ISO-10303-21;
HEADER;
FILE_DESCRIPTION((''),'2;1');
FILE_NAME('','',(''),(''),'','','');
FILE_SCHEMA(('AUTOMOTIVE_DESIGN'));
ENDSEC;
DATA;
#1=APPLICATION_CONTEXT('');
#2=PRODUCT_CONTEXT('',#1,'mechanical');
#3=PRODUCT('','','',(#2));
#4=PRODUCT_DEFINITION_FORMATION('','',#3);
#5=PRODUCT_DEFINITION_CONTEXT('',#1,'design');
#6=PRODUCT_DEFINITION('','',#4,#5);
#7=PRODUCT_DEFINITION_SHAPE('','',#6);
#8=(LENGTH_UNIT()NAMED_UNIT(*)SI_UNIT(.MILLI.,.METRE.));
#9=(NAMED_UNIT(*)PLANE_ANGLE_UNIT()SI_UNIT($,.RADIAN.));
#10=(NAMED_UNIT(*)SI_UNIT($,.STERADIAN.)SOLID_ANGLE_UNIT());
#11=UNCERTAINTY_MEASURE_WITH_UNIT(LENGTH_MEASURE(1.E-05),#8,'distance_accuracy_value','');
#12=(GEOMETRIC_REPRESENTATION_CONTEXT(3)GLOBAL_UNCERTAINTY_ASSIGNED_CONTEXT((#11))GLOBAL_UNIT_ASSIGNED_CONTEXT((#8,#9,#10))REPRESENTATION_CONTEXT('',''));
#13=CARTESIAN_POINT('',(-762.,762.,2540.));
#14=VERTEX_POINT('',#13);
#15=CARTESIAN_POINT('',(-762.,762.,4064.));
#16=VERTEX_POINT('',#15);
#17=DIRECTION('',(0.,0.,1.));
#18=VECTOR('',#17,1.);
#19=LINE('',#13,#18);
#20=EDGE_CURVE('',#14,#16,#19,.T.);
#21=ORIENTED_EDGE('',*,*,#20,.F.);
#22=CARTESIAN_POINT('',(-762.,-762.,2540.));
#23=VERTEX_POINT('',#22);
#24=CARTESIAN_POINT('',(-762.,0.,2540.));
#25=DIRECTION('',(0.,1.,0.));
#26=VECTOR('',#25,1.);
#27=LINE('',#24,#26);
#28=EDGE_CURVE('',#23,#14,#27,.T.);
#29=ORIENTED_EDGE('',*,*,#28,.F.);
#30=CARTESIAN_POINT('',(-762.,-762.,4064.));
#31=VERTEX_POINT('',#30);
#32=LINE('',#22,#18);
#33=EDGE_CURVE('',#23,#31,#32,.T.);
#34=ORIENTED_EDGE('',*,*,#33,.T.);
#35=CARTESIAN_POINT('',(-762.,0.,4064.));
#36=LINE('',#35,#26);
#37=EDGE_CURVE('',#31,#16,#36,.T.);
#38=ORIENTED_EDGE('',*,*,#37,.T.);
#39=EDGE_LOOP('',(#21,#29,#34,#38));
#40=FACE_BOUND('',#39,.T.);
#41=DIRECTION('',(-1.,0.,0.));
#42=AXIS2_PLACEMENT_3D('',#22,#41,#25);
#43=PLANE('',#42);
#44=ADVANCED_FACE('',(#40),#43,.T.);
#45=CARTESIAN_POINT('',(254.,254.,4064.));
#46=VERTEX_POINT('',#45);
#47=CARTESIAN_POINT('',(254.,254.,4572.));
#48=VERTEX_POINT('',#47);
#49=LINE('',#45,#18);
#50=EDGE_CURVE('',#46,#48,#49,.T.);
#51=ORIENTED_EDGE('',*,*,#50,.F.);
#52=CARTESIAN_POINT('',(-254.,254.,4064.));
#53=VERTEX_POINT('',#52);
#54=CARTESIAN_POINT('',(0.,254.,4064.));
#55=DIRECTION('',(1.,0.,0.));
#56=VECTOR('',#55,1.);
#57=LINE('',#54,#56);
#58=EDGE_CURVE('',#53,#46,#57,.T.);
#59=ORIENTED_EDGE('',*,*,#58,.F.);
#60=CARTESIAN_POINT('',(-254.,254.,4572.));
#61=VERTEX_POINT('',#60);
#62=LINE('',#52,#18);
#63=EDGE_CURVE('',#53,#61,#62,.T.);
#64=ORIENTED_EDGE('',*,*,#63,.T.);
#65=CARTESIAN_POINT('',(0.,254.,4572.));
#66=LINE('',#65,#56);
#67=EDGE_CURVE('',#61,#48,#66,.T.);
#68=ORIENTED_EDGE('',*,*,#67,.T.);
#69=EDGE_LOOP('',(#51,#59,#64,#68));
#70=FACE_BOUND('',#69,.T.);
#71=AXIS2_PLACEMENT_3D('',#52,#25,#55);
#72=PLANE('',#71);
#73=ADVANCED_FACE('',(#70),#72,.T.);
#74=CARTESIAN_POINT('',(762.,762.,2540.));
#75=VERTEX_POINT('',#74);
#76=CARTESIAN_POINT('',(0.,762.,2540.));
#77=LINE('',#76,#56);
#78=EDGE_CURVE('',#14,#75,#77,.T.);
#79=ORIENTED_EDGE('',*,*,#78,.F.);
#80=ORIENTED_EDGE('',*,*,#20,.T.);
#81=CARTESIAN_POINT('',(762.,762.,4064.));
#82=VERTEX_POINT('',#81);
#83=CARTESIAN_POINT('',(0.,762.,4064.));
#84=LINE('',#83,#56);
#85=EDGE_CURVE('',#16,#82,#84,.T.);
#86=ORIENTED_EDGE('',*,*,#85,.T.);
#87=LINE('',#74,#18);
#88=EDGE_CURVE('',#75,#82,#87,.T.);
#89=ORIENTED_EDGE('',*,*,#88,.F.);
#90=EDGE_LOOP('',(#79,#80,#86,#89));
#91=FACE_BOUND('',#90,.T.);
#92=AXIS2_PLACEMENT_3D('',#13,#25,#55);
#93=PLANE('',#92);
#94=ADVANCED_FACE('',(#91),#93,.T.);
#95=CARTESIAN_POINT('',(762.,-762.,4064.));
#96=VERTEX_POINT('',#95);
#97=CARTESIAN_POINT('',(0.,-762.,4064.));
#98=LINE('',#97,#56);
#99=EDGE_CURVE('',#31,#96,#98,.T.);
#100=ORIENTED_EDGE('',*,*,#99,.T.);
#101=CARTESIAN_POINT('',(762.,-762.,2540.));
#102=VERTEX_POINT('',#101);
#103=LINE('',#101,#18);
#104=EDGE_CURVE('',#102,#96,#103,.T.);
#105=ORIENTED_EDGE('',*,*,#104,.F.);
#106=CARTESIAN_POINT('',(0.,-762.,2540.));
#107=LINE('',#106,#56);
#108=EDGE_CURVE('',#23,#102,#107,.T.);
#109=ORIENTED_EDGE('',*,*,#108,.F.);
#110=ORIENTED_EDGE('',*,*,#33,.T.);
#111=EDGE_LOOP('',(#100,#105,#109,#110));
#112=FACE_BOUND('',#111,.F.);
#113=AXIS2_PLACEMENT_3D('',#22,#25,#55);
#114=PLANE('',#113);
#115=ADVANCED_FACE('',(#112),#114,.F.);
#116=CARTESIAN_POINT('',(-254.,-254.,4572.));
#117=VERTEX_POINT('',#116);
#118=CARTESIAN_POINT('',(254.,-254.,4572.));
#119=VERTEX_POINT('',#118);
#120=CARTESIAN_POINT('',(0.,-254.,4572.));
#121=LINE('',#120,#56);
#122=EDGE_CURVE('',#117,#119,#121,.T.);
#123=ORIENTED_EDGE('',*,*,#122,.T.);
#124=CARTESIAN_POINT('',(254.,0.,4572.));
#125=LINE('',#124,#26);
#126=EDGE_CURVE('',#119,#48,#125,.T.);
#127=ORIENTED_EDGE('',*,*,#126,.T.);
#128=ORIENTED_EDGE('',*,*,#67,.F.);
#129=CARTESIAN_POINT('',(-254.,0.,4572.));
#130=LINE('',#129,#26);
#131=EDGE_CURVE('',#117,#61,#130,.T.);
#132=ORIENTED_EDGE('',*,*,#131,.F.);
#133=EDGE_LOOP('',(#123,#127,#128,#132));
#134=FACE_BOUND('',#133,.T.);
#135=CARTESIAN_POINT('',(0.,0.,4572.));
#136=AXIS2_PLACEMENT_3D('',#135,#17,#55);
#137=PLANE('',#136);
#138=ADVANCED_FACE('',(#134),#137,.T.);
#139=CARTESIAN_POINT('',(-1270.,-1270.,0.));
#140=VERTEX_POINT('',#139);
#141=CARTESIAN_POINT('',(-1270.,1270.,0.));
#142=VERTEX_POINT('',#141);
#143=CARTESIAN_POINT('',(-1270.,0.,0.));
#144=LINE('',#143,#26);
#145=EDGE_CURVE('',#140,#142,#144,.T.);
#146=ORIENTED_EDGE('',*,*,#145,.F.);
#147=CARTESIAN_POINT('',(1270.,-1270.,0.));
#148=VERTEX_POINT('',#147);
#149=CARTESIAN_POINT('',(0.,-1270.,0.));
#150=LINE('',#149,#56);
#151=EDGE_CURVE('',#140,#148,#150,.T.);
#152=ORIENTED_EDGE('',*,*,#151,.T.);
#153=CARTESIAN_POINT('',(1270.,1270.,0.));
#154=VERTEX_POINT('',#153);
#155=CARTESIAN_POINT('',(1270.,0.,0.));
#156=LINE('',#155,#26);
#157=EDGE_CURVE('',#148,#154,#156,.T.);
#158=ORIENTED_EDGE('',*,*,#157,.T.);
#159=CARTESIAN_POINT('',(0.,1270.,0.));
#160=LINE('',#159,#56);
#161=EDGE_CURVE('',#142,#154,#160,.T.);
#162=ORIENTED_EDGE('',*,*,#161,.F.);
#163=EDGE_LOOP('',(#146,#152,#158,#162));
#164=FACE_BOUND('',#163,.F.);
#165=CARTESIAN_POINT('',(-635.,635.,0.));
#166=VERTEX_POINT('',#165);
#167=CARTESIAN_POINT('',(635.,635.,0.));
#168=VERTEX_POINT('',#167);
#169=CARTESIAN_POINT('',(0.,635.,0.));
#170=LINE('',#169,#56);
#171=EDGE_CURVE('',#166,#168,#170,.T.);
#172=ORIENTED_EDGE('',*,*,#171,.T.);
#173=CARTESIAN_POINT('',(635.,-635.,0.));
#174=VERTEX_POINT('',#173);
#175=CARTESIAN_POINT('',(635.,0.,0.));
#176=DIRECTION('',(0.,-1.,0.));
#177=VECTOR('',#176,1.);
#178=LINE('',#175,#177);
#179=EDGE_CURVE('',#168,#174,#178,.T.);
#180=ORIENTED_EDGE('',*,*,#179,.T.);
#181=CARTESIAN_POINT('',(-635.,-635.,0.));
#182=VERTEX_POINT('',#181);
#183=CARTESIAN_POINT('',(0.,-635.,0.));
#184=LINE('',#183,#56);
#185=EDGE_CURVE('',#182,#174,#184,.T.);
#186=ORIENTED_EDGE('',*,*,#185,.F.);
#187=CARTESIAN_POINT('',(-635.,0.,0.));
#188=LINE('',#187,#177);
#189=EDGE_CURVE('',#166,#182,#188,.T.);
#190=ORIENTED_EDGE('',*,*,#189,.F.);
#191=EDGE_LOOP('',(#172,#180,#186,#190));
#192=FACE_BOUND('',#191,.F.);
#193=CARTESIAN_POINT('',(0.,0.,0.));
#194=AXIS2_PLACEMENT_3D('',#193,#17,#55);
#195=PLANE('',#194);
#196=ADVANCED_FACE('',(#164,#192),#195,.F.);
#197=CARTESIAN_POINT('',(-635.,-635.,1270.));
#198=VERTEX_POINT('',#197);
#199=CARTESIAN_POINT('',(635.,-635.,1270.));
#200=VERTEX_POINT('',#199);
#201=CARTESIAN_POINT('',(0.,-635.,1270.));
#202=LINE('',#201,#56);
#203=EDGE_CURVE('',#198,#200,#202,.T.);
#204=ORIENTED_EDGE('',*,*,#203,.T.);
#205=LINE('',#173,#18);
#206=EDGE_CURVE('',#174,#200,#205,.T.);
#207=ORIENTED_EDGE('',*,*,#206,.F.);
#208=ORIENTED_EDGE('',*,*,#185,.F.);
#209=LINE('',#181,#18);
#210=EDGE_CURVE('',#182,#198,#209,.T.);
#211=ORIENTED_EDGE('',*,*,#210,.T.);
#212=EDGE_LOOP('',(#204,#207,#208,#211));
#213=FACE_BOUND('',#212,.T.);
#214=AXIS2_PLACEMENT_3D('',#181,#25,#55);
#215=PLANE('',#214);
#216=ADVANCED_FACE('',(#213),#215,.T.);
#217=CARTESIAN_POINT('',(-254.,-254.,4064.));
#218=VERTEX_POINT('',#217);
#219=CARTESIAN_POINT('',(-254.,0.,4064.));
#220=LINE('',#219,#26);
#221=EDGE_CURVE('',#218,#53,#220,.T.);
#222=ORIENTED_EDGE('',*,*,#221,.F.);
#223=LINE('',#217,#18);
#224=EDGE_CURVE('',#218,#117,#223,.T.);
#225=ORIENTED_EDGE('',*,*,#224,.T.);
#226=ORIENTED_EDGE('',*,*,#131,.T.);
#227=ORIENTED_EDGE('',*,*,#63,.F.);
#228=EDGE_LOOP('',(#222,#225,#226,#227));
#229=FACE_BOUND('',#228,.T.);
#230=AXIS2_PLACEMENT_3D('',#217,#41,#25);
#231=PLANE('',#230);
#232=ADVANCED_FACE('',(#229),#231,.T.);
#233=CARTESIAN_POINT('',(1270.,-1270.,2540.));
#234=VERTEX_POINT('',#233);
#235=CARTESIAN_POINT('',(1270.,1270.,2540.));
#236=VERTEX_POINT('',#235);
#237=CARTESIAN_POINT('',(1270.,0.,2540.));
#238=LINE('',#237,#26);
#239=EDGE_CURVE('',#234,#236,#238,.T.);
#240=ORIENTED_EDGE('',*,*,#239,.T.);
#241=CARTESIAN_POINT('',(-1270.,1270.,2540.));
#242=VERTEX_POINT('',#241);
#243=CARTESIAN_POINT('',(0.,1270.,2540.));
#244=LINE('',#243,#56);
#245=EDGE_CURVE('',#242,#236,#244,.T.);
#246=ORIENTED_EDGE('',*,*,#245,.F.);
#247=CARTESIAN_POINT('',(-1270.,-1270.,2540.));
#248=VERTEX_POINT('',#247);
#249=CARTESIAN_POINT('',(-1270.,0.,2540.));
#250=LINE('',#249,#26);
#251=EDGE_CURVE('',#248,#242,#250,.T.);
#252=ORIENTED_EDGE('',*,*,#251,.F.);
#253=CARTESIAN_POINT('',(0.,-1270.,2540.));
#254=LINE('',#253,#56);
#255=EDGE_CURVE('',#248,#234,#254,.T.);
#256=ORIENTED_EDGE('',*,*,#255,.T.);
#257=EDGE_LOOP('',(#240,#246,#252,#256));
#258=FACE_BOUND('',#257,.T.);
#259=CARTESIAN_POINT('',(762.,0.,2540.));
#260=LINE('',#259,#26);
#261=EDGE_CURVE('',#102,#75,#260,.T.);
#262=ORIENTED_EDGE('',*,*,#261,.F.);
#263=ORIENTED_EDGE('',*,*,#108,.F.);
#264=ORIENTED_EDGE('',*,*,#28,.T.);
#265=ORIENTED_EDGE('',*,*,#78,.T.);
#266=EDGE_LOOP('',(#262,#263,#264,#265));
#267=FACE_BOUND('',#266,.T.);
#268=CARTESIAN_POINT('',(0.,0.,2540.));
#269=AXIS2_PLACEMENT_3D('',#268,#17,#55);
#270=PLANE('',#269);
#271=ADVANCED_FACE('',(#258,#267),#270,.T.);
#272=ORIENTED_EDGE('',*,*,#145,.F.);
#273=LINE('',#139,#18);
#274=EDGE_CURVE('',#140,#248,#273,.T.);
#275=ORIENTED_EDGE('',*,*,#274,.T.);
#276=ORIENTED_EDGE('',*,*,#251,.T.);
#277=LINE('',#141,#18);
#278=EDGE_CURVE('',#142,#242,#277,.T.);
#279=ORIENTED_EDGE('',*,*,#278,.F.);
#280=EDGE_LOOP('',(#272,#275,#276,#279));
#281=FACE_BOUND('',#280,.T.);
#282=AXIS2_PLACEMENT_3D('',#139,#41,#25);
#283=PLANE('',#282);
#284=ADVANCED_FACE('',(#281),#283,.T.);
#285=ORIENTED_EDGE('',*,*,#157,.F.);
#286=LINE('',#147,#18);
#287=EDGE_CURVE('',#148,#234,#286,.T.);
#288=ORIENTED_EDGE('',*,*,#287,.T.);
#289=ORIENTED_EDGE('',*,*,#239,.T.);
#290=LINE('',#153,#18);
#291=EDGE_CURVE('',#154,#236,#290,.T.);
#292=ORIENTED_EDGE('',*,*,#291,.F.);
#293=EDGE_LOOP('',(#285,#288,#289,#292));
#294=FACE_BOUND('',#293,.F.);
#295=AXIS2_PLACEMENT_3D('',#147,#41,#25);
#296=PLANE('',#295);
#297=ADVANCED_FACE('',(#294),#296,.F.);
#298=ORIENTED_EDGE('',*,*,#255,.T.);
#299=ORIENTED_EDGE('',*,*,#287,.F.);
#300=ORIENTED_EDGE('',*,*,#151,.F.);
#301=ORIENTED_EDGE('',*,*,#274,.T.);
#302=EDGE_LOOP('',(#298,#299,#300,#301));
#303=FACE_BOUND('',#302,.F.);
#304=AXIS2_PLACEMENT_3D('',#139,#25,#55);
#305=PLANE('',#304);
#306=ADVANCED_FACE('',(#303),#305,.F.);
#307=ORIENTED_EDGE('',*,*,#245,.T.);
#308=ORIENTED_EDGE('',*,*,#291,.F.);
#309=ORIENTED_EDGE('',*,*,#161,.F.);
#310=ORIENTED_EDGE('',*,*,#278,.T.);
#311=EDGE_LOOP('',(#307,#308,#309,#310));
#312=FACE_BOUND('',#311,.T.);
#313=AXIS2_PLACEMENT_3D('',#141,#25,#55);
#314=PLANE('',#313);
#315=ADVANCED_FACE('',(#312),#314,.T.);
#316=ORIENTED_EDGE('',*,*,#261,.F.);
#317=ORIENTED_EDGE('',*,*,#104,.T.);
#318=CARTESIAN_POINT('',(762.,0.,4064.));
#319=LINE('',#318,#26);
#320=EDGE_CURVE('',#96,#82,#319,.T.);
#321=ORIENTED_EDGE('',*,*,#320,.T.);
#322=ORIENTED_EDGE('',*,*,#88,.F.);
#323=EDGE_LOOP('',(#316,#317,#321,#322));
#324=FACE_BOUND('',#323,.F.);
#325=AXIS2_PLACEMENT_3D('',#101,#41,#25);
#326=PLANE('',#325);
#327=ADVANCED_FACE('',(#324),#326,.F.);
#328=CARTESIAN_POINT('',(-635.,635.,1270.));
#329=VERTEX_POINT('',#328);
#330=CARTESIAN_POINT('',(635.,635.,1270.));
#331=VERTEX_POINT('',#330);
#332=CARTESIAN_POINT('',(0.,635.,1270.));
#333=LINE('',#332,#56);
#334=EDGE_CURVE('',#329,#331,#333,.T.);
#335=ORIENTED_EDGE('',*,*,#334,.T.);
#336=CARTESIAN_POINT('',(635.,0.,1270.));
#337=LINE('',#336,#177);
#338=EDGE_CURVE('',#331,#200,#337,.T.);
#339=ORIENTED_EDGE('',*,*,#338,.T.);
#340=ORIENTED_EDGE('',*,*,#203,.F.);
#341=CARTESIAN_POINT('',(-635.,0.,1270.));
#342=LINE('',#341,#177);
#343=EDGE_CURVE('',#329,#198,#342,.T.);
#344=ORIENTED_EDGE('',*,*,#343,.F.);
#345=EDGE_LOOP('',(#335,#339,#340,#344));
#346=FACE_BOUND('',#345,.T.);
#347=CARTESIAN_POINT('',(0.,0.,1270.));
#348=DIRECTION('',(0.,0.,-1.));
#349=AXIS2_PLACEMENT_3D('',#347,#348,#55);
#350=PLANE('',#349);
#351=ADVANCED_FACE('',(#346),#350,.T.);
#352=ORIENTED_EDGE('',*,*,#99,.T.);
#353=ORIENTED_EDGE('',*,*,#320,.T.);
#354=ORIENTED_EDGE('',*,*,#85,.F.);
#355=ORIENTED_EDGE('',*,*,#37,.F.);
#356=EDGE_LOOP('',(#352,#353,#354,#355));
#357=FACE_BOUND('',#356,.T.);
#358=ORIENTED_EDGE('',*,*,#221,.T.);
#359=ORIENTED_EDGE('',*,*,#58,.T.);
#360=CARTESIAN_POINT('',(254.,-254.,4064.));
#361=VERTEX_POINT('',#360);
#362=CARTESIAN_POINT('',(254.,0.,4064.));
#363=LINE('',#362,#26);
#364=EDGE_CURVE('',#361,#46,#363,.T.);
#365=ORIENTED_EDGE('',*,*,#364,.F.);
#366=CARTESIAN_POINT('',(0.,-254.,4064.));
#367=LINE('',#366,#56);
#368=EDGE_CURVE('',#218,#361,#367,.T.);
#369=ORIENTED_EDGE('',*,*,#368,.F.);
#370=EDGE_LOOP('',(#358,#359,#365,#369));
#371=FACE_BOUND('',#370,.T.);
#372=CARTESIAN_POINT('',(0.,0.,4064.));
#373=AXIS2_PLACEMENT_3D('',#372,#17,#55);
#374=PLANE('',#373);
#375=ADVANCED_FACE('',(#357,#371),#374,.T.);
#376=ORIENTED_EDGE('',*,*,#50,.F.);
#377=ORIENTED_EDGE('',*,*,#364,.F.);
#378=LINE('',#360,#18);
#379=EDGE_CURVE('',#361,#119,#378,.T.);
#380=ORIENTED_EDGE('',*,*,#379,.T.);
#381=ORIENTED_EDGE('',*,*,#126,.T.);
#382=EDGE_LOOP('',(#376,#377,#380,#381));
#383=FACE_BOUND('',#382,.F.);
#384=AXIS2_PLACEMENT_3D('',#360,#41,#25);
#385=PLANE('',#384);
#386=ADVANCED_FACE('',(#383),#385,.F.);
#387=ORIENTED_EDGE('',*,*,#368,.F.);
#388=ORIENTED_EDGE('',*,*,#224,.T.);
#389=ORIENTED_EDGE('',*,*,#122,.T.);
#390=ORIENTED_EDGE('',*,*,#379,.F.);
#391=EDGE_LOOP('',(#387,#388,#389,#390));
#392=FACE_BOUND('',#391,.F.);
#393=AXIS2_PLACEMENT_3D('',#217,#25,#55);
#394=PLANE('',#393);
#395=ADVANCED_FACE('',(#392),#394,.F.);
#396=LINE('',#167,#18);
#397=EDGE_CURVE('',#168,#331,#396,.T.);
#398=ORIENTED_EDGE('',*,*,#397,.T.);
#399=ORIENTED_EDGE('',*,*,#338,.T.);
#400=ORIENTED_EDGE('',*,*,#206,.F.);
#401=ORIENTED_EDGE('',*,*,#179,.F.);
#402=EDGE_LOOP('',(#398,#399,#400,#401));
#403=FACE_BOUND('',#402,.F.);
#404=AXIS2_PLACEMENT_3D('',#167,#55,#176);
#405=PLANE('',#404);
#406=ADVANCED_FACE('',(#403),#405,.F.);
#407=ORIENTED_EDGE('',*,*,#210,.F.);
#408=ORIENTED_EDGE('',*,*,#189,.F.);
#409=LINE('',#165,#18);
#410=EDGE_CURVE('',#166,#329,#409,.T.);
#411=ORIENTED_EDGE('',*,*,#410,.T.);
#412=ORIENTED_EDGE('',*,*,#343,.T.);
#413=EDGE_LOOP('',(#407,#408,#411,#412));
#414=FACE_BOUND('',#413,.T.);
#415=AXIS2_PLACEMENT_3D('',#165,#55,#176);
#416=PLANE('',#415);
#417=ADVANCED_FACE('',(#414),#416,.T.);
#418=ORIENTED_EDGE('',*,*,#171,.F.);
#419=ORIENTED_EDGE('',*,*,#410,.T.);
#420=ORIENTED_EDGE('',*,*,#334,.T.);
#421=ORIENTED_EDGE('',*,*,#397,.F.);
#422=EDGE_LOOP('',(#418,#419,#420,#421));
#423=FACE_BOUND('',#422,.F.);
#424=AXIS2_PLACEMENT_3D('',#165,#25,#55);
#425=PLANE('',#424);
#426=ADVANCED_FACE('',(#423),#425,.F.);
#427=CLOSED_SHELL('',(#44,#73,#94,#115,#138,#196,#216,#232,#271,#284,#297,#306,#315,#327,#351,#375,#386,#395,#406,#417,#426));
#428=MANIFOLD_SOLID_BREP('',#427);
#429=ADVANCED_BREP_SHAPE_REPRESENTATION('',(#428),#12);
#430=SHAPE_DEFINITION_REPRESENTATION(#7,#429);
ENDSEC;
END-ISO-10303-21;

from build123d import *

# Parameters (mm, degrees)
F0_W     = 2540
F0_H     = 2540
F1_DEPTH = 2540
F2_W     = 1524
F2_H     = 1524
F3_DEPTH = 1524
F4_W     = 508
F4_H     = 508
F5_DEPTH = 508
F6_W     = 1270
F6_H     = 1270
F7_DEPTH = 1270


with BuildPart() as f1:
    # F0 (on Top) → F1 (new body)
    with BuildSketch(Plane.XY):
        Rectangle(F0_W, F0_H)
    extrude(amount=F1_DEPTH)

    # F2 (on face) → F3 (join)
    with BuildSketch(Plane.XY.offset(2540)):
        Rectangle(F2_W, F2_H)
    extrude(amount=F3_DEPTH)

    # F4 (on face) → F5 (join)
    with BuildSketch(Plane.XY.offset(4064)):
        Rectangle(F4_W, F4_H)
    extrude(amount=F5_DEPTH)

    # F6 (on face) → F7 (cut)
    with BuildSketch(Plane(origin=(0, 0, 0), x_dir=(1, 0, 0), z_dir=(0, 0, -1))):
        Rectangle(F6_W, F6_H)
    extrude(amount=-F7_DEPTH, mode=Mode.SUBTRACT)


solid = f1.part
